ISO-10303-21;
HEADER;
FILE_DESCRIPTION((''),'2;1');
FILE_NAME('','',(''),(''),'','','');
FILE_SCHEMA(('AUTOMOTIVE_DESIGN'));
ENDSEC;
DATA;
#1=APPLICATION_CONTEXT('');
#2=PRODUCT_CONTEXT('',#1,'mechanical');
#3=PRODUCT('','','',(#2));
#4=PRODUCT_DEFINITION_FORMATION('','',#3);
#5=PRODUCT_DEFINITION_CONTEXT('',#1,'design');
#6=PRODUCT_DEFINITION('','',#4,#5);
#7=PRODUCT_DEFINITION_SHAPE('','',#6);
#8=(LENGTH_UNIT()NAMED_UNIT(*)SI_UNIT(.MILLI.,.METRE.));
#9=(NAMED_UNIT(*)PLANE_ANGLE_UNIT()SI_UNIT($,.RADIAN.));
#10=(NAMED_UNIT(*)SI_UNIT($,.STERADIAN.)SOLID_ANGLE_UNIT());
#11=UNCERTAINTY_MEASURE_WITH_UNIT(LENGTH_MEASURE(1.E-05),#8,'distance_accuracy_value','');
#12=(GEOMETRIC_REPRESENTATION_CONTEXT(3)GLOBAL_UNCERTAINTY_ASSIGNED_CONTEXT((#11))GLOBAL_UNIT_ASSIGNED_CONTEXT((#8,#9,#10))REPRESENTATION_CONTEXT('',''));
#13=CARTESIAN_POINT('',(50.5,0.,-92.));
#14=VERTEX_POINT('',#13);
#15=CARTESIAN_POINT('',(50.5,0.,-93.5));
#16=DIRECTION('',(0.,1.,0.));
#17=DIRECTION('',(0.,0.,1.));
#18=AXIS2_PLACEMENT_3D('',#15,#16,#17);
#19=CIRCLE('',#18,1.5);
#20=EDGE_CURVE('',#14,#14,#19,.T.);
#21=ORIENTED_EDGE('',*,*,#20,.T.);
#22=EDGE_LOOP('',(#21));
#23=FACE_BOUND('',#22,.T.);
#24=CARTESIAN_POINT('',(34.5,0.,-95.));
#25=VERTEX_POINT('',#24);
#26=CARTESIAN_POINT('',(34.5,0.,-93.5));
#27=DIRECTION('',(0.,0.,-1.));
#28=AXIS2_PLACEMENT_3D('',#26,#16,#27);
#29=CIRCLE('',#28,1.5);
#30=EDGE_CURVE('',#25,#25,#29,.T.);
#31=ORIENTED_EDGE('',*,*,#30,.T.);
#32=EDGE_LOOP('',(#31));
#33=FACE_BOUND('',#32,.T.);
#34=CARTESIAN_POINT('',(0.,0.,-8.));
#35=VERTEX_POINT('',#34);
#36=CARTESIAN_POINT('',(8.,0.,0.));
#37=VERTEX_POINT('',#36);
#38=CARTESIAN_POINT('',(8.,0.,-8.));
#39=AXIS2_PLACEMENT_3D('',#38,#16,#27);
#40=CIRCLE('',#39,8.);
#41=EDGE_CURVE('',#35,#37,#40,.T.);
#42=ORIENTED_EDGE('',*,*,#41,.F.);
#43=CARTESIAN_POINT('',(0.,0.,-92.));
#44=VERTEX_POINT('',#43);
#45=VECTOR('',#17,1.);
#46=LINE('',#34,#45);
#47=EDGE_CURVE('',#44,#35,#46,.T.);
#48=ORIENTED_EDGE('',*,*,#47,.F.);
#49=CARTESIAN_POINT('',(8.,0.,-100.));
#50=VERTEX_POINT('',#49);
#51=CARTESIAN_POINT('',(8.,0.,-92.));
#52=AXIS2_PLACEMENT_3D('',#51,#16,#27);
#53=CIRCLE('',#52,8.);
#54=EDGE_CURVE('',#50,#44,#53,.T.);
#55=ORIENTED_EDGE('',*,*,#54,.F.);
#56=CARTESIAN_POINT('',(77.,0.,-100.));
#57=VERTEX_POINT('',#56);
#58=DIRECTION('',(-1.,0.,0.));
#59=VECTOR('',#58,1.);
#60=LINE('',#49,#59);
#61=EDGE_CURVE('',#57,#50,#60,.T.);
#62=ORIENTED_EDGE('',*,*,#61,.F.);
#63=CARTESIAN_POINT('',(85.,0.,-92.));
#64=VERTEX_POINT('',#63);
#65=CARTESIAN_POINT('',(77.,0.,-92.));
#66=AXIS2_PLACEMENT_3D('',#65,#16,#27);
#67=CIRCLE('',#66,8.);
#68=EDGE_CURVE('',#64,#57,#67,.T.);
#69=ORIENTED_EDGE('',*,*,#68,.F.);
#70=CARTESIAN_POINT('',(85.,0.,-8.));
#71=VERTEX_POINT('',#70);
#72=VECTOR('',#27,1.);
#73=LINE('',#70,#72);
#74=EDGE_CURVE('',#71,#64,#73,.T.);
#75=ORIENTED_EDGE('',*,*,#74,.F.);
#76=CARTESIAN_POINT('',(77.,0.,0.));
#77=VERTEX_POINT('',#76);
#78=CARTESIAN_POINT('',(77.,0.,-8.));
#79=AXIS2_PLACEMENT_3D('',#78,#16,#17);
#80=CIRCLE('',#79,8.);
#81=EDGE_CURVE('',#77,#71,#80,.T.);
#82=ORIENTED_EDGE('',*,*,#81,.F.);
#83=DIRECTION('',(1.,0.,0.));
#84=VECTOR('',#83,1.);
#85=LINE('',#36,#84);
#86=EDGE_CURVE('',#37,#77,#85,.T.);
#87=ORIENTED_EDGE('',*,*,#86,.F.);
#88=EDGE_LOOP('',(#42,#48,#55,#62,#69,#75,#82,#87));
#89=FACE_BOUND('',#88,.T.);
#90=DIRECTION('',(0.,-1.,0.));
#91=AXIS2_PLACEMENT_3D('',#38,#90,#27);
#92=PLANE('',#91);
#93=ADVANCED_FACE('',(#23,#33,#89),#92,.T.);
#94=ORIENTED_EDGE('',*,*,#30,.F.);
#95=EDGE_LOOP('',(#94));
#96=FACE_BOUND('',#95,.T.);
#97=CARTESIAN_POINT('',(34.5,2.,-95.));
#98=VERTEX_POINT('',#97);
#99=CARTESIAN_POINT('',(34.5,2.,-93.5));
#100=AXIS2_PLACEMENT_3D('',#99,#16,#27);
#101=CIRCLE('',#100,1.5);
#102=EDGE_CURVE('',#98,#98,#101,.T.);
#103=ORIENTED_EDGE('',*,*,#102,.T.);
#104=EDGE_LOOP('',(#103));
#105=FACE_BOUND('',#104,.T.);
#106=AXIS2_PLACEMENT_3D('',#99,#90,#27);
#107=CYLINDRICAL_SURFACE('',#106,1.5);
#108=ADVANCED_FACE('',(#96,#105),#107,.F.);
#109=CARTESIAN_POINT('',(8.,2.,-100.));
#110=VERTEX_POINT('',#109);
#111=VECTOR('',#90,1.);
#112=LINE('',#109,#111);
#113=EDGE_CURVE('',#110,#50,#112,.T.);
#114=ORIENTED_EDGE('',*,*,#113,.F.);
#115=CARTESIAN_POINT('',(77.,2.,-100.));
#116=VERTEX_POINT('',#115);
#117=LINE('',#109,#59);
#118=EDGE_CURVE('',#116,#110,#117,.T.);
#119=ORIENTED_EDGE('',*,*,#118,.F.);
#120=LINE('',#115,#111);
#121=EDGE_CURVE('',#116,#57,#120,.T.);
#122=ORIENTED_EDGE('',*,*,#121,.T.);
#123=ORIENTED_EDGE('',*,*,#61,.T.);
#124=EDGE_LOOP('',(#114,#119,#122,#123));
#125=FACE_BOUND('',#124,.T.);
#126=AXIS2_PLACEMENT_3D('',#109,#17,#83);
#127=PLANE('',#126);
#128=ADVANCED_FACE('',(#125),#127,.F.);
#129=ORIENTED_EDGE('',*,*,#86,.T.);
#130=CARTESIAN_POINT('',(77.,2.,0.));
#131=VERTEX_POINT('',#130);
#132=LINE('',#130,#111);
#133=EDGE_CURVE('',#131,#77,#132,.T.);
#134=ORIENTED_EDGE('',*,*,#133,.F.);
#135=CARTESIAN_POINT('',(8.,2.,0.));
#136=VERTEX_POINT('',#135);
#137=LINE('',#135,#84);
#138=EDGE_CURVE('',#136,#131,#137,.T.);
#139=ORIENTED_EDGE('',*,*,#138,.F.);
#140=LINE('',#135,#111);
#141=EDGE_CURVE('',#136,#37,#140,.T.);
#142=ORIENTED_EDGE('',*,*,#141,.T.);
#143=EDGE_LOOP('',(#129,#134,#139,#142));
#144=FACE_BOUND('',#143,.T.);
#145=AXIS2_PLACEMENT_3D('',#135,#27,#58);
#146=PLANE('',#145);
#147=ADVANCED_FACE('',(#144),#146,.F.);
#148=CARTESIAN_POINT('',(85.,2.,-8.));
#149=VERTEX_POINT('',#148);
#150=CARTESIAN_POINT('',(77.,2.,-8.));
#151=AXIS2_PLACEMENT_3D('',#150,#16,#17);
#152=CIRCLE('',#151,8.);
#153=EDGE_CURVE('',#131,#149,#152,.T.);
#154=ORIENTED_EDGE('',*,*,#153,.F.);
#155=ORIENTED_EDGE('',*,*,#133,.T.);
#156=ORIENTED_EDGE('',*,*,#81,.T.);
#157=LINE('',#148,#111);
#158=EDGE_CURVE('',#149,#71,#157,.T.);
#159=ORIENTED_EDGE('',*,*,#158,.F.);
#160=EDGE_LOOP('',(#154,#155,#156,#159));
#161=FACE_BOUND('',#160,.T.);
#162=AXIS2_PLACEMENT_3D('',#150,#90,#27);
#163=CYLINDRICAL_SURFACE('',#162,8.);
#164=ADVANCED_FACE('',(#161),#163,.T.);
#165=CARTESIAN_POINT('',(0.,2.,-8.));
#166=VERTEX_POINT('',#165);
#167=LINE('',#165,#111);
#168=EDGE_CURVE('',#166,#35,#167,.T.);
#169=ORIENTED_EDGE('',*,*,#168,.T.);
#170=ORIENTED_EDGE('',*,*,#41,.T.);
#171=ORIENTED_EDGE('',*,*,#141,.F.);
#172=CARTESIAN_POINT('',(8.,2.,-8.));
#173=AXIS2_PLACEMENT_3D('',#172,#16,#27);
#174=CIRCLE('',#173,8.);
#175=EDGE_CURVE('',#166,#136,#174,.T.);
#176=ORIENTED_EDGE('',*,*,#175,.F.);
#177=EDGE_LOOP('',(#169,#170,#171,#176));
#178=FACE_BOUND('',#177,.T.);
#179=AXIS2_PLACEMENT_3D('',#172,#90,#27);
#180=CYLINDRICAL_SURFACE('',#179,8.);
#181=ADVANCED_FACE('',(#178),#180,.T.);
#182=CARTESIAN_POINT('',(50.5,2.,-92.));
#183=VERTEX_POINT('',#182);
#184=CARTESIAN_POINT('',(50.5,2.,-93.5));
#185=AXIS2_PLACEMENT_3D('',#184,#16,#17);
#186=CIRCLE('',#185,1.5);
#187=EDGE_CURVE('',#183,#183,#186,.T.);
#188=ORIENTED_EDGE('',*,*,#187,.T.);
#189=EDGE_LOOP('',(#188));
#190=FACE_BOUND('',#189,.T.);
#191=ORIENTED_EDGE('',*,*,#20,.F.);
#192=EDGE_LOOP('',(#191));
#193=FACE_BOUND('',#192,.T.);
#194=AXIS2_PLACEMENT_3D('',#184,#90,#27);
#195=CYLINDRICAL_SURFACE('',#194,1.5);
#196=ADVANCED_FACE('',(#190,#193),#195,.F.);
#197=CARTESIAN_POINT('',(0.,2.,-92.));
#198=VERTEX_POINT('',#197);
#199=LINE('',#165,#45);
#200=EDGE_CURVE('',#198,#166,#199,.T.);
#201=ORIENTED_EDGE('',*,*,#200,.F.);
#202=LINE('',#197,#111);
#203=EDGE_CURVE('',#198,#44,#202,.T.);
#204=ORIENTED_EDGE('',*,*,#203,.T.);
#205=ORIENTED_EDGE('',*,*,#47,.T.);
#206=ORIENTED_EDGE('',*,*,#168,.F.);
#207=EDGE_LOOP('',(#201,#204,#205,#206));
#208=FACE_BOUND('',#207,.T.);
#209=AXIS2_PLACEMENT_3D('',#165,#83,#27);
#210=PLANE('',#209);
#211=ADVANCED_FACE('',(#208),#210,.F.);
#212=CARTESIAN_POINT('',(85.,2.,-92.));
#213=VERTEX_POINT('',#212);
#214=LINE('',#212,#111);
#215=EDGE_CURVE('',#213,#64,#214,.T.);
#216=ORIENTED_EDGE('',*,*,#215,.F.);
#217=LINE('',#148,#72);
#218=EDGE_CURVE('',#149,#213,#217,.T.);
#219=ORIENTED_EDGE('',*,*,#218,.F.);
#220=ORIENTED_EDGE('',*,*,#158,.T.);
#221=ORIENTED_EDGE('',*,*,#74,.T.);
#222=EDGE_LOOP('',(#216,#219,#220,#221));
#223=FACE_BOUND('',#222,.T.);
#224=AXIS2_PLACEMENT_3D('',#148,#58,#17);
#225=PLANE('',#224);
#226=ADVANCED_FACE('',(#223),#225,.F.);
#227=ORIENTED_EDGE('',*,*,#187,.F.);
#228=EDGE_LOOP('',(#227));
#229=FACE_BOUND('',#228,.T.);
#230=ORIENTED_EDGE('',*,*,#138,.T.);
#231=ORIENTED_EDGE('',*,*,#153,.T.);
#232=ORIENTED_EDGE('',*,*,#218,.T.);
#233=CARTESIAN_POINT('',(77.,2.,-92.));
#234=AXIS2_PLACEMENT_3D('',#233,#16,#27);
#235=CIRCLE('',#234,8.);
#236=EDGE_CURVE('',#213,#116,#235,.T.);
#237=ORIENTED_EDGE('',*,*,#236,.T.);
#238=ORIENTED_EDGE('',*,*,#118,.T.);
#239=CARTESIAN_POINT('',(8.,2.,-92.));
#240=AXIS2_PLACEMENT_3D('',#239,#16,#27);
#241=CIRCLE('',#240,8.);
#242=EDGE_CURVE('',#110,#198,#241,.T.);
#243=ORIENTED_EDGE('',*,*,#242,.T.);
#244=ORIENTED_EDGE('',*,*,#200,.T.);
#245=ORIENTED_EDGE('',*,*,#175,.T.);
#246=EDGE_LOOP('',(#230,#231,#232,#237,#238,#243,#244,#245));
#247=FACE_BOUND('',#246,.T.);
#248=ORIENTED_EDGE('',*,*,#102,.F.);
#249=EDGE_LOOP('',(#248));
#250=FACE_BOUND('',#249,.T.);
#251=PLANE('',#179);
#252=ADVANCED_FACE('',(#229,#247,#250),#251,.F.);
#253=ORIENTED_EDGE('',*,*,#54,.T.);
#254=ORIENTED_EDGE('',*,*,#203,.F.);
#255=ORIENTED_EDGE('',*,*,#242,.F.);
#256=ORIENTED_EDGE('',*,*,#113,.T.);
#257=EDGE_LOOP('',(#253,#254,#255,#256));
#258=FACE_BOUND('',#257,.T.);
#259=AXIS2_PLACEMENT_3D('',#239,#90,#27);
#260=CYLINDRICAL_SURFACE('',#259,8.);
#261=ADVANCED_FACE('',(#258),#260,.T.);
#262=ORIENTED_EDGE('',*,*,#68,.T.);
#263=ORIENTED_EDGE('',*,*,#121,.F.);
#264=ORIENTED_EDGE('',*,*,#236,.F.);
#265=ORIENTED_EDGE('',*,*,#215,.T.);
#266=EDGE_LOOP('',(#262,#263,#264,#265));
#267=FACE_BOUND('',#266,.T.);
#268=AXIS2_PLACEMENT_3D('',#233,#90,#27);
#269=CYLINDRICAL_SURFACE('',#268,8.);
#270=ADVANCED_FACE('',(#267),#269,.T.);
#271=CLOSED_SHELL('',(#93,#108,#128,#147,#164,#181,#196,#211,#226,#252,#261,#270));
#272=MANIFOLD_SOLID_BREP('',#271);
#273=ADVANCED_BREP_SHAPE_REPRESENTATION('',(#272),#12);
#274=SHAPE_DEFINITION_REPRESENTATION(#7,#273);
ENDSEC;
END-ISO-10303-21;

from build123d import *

# Parameters (mm, degrees)
SKETCH1_R           = 1.5
BOSS_EXTRUDE1_DEPTH = 2


with BuildPart() as part:
    # Sketch1 → Boss-Extrude1 (new body)
    with BuildSketch(Plane(origin=(0, 0, 0), x_dir=(1, 0, 0), z_dir=(0, 1, 0))):
        with BuildLine():
            Line((8, 0), (77, 0))
            ThreePointArc((77, 0), (82.656854249, 2.343145751), (85, 8))
            Line((85, 8), (85, 92))
            ThreePointArc((85, 92), (82.656854249, 97.656854249), (77, 100))
            Line((77, 100), (8, 100))
            ThreePointArc((8, 100), (2.343145751, 97.656854249), (0, 92))
            Line((0, 92), (0, 8))
            ThreePointArc((0, 8), (2.343145751, 2.343145751), (8, 0))
        make_face()
        with Locations(Location((50.5, 93.5, 0), (0, 0, 270))):
            Circle(SKETCH1_R, mode=Mode.SUBTRACT)
        with Locations(Location((34.5, 93.5, 0), (0, 0, 90))):
            Circle(SKETCH1_R, mode=Mode.SUBTRACT)
    extrude(amount=BOSS_EXTRUDE1_DEPTH)


solid = part.part
